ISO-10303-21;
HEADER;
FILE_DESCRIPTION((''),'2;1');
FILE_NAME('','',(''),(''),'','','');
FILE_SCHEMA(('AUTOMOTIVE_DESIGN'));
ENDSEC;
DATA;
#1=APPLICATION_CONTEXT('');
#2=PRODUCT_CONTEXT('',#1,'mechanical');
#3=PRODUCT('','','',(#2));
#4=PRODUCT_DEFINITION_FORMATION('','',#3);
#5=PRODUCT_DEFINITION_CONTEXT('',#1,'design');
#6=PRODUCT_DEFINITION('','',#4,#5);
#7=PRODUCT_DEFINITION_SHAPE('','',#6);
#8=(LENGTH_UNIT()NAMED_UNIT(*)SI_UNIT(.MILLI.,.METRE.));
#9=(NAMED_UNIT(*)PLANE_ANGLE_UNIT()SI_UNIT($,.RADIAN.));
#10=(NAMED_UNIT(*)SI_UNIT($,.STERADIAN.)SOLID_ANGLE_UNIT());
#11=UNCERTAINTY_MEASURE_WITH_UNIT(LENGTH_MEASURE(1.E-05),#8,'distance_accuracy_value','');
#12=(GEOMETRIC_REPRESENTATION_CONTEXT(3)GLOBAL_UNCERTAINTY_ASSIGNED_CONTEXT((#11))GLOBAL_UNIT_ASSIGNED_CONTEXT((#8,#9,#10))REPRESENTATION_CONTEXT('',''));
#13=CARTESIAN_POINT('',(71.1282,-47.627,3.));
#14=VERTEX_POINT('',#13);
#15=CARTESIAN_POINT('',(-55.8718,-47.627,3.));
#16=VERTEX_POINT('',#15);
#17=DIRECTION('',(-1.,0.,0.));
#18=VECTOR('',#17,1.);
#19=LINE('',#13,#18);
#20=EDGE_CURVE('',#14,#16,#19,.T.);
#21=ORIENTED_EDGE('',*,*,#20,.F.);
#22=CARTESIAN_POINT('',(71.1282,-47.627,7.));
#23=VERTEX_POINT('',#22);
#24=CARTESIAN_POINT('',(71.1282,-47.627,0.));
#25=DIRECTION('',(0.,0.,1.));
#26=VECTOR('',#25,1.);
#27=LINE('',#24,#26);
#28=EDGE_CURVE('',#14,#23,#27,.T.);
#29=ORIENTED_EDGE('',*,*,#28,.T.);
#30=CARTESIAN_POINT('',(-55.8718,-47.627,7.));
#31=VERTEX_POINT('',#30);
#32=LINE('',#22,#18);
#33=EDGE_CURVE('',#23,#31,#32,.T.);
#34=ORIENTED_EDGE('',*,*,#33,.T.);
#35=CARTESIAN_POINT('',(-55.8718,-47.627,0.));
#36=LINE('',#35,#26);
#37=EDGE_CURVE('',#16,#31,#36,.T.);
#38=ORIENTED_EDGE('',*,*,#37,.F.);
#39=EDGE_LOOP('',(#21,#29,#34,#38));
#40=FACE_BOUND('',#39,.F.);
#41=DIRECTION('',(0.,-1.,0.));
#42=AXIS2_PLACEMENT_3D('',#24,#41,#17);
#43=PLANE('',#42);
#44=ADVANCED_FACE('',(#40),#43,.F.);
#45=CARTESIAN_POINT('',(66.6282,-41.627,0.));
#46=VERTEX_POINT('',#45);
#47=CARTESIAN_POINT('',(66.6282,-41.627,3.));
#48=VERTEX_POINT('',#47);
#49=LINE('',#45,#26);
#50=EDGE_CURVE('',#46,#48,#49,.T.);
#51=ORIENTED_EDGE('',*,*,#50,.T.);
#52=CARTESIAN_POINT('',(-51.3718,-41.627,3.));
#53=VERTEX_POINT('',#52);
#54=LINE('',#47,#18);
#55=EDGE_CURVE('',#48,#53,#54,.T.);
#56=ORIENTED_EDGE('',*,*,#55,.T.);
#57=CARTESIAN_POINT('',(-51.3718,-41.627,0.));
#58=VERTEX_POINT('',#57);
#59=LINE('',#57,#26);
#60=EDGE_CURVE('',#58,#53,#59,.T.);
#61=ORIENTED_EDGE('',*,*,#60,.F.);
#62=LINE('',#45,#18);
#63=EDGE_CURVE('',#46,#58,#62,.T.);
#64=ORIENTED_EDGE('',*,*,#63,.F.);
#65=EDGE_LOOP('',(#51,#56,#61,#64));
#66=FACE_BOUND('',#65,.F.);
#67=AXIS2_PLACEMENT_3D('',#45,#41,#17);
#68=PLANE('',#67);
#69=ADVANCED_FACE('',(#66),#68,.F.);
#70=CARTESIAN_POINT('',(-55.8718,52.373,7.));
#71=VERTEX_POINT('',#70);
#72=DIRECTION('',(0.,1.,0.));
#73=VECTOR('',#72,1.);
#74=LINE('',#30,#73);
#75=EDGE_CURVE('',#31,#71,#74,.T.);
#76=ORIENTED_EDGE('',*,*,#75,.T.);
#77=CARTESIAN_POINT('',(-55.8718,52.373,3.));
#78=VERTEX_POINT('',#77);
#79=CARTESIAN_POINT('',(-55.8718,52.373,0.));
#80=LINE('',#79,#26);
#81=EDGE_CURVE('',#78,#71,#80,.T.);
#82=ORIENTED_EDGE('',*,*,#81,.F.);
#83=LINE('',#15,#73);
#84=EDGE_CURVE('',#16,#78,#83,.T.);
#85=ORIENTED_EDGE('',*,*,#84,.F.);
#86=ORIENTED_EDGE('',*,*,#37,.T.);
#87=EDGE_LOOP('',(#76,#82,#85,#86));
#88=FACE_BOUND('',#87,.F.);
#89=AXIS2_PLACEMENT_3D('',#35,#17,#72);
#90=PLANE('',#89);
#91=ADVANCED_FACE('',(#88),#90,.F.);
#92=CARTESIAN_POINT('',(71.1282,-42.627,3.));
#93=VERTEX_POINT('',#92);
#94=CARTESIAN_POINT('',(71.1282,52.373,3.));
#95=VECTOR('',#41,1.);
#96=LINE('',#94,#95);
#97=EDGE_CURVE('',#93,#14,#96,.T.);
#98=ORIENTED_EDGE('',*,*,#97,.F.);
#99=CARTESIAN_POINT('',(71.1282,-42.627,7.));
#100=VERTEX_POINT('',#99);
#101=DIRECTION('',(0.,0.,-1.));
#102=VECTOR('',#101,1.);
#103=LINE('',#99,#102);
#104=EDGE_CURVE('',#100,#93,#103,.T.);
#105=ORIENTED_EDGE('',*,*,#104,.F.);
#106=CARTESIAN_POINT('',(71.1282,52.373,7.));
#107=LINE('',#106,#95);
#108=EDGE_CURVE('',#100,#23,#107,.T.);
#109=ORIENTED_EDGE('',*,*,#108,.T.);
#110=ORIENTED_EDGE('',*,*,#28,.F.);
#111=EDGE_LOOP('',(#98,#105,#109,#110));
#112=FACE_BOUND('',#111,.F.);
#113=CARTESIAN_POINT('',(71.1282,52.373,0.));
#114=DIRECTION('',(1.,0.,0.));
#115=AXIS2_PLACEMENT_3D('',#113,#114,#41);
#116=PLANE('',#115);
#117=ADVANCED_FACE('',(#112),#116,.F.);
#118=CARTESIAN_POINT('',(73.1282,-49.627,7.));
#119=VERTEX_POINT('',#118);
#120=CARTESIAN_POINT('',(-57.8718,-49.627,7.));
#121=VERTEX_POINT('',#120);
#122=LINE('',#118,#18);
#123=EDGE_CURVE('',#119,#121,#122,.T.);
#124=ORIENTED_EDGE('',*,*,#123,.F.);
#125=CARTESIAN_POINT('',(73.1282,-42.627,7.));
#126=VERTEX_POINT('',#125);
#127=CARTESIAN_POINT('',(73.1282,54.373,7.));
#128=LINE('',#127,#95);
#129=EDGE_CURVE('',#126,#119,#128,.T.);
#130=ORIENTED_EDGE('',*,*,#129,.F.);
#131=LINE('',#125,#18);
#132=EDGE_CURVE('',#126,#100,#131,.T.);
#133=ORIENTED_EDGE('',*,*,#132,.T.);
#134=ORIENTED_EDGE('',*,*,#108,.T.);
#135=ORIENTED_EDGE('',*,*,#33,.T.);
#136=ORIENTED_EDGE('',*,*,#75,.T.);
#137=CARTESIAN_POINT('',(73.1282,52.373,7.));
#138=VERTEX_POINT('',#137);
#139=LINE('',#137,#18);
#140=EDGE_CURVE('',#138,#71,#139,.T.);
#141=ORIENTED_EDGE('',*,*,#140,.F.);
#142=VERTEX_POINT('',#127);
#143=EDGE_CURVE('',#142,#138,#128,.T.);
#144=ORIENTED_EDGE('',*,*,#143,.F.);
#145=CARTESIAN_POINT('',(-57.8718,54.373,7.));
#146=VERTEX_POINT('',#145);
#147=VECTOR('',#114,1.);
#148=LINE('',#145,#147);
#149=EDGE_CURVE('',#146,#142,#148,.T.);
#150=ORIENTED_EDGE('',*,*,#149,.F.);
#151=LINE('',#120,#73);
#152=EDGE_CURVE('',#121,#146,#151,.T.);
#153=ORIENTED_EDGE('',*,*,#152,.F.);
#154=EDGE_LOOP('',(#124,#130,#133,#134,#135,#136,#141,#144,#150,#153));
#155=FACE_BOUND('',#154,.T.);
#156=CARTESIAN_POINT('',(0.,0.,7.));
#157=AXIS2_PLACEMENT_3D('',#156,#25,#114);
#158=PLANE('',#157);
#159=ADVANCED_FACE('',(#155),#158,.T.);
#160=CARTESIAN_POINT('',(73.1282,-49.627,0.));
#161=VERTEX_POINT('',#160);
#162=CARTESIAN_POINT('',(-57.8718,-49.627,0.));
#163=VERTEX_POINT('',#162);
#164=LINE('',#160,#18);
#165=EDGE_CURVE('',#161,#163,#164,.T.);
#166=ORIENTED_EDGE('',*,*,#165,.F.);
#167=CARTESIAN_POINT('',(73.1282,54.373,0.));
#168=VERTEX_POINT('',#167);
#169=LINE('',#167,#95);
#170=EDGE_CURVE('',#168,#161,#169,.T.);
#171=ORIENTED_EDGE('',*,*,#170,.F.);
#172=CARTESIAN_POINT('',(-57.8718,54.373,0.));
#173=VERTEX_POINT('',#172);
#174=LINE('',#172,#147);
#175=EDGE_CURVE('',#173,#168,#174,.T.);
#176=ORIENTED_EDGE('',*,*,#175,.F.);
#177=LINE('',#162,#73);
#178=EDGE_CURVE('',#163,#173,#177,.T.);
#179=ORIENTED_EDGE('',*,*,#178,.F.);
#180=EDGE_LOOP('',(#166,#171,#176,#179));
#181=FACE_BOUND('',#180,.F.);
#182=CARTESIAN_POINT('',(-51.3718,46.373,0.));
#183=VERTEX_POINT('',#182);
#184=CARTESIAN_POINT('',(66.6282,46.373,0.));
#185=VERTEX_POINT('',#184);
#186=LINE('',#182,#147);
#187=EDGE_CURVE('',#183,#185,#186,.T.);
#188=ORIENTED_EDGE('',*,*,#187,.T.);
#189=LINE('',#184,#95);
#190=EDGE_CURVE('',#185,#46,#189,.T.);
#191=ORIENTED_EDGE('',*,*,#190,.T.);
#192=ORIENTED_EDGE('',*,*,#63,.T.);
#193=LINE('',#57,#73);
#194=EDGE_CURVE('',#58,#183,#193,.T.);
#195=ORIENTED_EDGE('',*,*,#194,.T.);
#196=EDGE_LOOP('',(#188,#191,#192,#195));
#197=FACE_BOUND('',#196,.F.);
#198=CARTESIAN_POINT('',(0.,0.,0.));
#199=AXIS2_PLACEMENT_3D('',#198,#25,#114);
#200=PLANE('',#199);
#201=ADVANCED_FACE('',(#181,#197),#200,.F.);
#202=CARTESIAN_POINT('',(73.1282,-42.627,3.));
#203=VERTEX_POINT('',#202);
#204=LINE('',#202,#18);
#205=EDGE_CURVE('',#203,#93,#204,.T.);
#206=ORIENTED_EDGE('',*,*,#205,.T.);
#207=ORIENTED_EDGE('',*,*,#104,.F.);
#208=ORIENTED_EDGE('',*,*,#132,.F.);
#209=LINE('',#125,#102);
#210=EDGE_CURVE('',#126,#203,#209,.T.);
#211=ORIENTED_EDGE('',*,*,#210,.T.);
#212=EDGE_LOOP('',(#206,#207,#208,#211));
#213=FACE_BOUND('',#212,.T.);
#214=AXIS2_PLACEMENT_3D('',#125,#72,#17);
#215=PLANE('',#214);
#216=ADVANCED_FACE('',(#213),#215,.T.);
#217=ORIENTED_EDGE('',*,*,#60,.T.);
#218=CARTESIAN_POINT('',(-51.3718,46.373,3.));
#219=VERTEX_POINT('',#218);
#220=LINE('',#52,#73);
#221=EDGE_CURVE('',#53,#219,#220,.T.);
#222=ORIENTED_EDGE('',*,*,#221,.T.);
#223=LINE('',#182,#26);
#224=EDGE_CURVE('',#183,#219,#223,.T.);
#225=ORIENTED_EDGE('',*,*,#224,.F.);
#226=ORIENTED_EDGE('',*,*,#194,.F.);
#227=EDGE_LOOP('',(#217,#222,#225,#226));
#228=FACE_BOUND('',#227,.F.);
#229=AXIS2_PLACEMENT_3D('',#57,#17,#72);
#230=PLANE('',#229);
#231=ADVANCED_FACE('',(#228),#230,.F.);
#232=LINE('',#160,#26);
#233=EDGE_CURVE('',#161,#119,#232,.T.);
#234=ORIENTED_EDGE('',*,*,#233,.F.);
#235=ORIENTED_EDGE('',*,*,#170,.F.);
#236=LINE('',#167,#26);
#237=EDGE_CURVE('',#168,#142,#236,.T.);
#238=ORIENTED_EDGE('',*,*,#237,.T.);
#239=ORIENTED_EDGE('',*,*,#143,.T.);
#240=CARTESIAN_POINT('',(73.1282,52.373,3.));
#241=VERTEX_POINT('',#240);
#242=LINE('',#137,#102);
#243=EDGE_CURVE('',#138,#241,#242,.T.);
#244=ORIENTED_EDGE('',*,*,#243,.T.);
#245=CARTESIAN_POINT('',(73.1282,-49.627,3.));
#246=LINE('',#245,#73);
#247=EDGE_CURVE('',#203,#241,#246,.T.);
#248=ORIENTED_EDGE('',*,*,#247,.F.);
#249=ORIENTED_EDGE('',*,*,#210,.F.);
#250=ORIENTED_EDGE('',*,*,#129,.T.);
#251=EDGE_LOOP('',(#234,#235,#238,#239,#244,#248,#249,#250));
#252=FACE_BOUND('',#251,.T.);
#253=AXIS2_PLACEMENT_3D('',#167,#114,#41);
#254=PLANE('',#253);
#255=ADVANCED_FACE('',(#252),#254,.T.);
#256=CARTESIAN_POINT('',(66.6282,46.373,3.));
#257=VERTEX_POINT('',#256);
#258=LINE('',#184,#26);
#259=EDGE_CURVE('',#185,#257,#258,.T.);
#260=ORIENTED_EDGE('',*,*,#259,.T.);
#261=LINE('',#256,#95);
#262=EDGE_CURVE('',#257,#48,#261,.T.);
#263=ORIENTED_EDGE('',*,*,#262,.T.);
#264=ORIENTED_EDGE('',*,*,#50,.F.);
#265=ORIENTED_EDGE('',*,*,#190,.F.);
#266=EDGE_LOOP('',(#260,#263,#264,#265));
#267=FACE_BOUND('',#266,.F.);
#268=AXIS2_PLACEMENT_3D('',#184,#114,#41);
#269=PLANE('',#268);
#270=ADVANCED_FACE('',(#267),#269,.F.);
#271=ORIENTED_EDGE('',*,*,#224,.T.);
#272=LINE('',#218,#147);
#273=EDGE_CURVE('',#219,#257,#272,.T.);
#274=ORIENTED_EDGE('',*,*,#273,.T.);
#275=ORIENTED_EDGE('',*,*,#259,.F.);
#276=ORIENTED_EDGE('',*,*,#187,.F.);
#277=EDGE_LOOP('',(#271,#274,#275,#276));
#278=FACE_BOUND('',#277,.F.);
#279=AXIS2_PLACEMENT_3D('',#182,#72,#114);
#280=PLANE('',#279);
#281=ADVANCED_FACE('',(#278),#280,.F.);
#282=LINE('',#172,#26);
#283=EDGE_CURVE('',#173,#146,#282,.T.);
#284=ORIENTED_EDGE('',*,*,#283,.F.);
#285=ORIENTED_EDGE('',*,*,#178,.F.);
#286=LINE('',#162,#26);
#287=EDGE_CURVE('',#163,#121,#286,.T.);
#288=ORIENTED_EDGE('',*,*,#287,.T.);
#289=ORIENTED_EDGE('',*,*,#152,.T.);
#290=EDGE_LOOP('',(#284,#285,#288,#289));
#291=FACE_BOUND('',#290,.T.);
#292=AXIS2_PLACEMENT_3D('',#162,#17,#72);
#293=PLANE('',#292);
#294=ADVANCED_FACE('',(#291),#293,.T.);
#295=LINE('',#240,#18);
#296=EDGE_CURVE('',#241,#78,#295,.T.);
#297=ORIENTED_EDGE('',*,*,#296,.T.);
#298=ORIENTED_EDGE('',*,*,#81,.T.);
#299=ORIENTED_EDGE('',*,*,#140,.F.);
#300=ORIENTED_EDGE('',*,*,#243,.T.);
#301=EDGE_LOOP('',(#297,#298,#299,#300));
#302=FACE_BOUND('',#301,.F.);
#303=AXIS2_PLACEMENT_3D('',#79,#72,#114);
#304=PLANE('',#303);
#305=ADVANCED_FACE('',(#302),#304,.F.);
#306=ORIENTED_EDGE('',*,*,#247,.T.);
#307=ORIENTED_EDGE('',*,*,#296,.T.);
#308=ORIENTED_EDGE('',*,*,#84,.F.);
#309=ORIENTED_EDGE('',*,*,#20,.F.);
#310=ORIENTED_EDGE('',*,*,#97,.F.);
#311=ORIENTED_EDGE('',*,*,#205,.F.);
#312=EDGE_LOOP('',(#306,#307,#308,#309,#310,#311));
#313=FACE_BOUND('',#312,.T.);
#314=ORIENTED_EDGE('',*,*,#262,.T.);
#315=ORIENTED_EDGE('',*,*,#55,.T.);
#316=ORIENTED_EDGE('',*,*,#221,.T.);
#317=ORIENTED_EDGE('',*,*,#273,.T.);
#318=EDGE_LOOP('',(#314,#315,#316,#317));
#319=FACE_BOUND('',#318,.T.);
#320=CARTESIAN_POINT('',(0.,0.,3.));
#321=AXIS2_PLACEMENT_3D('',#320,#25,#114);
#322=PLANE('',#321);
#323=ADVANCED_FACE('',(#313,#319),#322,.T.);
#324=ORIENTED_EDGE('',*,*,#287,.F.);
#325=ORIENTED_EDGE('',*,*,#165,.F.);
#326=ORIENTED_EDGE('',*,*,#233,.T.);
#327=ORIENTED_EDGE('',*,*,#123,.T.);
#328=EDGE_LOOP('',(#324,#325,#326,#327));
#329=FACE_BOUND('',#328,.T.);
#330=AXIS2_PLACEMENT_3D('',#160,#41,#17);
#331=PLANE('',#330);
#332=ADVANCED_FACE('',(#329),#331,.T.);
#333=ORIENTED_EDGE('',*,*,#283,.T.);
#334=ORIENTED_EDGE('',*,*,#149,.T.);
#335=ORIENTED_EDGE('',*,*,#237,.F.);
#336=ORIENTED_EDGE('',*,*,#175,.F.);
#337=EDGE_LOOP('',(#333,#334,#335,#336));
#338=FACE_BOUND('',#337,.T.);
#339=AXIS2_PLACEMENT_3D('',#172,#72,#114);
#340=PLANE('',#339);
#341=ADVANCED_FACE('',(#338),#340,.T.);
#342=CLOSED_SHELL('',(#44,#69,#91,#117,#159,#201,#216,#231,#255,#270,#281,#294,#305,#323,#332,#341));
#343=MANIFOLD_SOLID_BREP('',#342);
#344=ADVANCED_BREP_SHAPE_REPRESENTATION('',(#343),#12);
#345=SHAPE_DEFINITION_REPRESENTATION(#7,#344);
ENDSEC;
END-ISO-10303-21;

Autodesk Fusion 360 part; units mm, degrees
sketch "Sketch2" plane through (0, 0, 0) normal (0, 0, 1) x (1, 0, 0)
  line L0 (-55.8718, 52.373) -> (71.1282, 52.373)
  line L1 (71.1282, 52.373) -> (71.1282, -47.627)
  line L2 (71.1282, -47.627) -> (-55.8718, -47.627)
  line L3 (-55.8718, -47.627) -> (-55.8718, 52.373)
  line L4 (-51.3718, 46.373) -> (66.6282, 46.373)
  line L5 (66.6282, 46.373) -> (66.6282, -41.627)
  line L6 (66.6282, -41.627) -> (-51.3718, -41.627)
  line L7 (-51.3718, -41.627) -> (-51.3718, 46.373)
  line L8 (-57.8718, 54.373) -> (73.1282, 54.373)
  line L9 (73.1282, 54.373) -> (73.1282, -49.627)
  line L10 (73.1282, -49.627) -> (-57.8718, -49.627)
  line L11 (-57.8718, -49.627) -> (-57.8718, 54.373)
  dimension "d1" = 127
  dimension "d2" = 100
  dimension "d3" = 118
  dimension "d4" = 88
  dimension "d5" = 131
  dimension "d6" = 104
  dimension "d7" = 2
  dimension "d8" = 2
  dimension "d43" = 4.5
  dimension "d44" = 6
extrude "Extrude7" add sketch "Sketch2" along normal blind 3 contours L0 L1 L2 L3
extrude "Extrude8" add sketch "Sketch2" along normal blind 7 contours L8 L9 L10 L11
sketch "Sketch9" plane through (0, 0, 7) normal (0, 0, 1) x (-1, 0, 0)
  line L0 (-71.1282, 47.627) -> (55.8718, 47.627)
  line L1 (55.8718, 47.627) -> (55.8718, -52.373)
  line L2 (55.8718, -52.373) -> (-71.1282, -52.373)
  line L3 (-71.1282, -52.373) -> (-71.1282, 47.627)
  line L4 (57.8718, 49.627) -> (-73.1282, 49.627)
  line L5 (-73.1282, 49.627) -> (-73.1282, -54.373)
  line L6 (-73.1282, -54.373) -> (57.8718, -54.373)
  line L7 (57.8718, -54.373) -> (57.8718, 49.627)
  line L8 (-71.1282, -52.373) -> (-73.1282, -52.373)
  line L9 (-73.1282, -52.373) -> (-73.1282, 42.627)
  line L10 (-73.1282, 42.627) -> (-71.1282, 42.627)
  line L11 (-71.1282, 42.627) -> (-71.1282, -52.373)
  dimension "d39" = 95
extrude "Extrude9" cut sketch "Sketch9" against normal blind 4 contours L3 L5 L8 L9 L10 L11
